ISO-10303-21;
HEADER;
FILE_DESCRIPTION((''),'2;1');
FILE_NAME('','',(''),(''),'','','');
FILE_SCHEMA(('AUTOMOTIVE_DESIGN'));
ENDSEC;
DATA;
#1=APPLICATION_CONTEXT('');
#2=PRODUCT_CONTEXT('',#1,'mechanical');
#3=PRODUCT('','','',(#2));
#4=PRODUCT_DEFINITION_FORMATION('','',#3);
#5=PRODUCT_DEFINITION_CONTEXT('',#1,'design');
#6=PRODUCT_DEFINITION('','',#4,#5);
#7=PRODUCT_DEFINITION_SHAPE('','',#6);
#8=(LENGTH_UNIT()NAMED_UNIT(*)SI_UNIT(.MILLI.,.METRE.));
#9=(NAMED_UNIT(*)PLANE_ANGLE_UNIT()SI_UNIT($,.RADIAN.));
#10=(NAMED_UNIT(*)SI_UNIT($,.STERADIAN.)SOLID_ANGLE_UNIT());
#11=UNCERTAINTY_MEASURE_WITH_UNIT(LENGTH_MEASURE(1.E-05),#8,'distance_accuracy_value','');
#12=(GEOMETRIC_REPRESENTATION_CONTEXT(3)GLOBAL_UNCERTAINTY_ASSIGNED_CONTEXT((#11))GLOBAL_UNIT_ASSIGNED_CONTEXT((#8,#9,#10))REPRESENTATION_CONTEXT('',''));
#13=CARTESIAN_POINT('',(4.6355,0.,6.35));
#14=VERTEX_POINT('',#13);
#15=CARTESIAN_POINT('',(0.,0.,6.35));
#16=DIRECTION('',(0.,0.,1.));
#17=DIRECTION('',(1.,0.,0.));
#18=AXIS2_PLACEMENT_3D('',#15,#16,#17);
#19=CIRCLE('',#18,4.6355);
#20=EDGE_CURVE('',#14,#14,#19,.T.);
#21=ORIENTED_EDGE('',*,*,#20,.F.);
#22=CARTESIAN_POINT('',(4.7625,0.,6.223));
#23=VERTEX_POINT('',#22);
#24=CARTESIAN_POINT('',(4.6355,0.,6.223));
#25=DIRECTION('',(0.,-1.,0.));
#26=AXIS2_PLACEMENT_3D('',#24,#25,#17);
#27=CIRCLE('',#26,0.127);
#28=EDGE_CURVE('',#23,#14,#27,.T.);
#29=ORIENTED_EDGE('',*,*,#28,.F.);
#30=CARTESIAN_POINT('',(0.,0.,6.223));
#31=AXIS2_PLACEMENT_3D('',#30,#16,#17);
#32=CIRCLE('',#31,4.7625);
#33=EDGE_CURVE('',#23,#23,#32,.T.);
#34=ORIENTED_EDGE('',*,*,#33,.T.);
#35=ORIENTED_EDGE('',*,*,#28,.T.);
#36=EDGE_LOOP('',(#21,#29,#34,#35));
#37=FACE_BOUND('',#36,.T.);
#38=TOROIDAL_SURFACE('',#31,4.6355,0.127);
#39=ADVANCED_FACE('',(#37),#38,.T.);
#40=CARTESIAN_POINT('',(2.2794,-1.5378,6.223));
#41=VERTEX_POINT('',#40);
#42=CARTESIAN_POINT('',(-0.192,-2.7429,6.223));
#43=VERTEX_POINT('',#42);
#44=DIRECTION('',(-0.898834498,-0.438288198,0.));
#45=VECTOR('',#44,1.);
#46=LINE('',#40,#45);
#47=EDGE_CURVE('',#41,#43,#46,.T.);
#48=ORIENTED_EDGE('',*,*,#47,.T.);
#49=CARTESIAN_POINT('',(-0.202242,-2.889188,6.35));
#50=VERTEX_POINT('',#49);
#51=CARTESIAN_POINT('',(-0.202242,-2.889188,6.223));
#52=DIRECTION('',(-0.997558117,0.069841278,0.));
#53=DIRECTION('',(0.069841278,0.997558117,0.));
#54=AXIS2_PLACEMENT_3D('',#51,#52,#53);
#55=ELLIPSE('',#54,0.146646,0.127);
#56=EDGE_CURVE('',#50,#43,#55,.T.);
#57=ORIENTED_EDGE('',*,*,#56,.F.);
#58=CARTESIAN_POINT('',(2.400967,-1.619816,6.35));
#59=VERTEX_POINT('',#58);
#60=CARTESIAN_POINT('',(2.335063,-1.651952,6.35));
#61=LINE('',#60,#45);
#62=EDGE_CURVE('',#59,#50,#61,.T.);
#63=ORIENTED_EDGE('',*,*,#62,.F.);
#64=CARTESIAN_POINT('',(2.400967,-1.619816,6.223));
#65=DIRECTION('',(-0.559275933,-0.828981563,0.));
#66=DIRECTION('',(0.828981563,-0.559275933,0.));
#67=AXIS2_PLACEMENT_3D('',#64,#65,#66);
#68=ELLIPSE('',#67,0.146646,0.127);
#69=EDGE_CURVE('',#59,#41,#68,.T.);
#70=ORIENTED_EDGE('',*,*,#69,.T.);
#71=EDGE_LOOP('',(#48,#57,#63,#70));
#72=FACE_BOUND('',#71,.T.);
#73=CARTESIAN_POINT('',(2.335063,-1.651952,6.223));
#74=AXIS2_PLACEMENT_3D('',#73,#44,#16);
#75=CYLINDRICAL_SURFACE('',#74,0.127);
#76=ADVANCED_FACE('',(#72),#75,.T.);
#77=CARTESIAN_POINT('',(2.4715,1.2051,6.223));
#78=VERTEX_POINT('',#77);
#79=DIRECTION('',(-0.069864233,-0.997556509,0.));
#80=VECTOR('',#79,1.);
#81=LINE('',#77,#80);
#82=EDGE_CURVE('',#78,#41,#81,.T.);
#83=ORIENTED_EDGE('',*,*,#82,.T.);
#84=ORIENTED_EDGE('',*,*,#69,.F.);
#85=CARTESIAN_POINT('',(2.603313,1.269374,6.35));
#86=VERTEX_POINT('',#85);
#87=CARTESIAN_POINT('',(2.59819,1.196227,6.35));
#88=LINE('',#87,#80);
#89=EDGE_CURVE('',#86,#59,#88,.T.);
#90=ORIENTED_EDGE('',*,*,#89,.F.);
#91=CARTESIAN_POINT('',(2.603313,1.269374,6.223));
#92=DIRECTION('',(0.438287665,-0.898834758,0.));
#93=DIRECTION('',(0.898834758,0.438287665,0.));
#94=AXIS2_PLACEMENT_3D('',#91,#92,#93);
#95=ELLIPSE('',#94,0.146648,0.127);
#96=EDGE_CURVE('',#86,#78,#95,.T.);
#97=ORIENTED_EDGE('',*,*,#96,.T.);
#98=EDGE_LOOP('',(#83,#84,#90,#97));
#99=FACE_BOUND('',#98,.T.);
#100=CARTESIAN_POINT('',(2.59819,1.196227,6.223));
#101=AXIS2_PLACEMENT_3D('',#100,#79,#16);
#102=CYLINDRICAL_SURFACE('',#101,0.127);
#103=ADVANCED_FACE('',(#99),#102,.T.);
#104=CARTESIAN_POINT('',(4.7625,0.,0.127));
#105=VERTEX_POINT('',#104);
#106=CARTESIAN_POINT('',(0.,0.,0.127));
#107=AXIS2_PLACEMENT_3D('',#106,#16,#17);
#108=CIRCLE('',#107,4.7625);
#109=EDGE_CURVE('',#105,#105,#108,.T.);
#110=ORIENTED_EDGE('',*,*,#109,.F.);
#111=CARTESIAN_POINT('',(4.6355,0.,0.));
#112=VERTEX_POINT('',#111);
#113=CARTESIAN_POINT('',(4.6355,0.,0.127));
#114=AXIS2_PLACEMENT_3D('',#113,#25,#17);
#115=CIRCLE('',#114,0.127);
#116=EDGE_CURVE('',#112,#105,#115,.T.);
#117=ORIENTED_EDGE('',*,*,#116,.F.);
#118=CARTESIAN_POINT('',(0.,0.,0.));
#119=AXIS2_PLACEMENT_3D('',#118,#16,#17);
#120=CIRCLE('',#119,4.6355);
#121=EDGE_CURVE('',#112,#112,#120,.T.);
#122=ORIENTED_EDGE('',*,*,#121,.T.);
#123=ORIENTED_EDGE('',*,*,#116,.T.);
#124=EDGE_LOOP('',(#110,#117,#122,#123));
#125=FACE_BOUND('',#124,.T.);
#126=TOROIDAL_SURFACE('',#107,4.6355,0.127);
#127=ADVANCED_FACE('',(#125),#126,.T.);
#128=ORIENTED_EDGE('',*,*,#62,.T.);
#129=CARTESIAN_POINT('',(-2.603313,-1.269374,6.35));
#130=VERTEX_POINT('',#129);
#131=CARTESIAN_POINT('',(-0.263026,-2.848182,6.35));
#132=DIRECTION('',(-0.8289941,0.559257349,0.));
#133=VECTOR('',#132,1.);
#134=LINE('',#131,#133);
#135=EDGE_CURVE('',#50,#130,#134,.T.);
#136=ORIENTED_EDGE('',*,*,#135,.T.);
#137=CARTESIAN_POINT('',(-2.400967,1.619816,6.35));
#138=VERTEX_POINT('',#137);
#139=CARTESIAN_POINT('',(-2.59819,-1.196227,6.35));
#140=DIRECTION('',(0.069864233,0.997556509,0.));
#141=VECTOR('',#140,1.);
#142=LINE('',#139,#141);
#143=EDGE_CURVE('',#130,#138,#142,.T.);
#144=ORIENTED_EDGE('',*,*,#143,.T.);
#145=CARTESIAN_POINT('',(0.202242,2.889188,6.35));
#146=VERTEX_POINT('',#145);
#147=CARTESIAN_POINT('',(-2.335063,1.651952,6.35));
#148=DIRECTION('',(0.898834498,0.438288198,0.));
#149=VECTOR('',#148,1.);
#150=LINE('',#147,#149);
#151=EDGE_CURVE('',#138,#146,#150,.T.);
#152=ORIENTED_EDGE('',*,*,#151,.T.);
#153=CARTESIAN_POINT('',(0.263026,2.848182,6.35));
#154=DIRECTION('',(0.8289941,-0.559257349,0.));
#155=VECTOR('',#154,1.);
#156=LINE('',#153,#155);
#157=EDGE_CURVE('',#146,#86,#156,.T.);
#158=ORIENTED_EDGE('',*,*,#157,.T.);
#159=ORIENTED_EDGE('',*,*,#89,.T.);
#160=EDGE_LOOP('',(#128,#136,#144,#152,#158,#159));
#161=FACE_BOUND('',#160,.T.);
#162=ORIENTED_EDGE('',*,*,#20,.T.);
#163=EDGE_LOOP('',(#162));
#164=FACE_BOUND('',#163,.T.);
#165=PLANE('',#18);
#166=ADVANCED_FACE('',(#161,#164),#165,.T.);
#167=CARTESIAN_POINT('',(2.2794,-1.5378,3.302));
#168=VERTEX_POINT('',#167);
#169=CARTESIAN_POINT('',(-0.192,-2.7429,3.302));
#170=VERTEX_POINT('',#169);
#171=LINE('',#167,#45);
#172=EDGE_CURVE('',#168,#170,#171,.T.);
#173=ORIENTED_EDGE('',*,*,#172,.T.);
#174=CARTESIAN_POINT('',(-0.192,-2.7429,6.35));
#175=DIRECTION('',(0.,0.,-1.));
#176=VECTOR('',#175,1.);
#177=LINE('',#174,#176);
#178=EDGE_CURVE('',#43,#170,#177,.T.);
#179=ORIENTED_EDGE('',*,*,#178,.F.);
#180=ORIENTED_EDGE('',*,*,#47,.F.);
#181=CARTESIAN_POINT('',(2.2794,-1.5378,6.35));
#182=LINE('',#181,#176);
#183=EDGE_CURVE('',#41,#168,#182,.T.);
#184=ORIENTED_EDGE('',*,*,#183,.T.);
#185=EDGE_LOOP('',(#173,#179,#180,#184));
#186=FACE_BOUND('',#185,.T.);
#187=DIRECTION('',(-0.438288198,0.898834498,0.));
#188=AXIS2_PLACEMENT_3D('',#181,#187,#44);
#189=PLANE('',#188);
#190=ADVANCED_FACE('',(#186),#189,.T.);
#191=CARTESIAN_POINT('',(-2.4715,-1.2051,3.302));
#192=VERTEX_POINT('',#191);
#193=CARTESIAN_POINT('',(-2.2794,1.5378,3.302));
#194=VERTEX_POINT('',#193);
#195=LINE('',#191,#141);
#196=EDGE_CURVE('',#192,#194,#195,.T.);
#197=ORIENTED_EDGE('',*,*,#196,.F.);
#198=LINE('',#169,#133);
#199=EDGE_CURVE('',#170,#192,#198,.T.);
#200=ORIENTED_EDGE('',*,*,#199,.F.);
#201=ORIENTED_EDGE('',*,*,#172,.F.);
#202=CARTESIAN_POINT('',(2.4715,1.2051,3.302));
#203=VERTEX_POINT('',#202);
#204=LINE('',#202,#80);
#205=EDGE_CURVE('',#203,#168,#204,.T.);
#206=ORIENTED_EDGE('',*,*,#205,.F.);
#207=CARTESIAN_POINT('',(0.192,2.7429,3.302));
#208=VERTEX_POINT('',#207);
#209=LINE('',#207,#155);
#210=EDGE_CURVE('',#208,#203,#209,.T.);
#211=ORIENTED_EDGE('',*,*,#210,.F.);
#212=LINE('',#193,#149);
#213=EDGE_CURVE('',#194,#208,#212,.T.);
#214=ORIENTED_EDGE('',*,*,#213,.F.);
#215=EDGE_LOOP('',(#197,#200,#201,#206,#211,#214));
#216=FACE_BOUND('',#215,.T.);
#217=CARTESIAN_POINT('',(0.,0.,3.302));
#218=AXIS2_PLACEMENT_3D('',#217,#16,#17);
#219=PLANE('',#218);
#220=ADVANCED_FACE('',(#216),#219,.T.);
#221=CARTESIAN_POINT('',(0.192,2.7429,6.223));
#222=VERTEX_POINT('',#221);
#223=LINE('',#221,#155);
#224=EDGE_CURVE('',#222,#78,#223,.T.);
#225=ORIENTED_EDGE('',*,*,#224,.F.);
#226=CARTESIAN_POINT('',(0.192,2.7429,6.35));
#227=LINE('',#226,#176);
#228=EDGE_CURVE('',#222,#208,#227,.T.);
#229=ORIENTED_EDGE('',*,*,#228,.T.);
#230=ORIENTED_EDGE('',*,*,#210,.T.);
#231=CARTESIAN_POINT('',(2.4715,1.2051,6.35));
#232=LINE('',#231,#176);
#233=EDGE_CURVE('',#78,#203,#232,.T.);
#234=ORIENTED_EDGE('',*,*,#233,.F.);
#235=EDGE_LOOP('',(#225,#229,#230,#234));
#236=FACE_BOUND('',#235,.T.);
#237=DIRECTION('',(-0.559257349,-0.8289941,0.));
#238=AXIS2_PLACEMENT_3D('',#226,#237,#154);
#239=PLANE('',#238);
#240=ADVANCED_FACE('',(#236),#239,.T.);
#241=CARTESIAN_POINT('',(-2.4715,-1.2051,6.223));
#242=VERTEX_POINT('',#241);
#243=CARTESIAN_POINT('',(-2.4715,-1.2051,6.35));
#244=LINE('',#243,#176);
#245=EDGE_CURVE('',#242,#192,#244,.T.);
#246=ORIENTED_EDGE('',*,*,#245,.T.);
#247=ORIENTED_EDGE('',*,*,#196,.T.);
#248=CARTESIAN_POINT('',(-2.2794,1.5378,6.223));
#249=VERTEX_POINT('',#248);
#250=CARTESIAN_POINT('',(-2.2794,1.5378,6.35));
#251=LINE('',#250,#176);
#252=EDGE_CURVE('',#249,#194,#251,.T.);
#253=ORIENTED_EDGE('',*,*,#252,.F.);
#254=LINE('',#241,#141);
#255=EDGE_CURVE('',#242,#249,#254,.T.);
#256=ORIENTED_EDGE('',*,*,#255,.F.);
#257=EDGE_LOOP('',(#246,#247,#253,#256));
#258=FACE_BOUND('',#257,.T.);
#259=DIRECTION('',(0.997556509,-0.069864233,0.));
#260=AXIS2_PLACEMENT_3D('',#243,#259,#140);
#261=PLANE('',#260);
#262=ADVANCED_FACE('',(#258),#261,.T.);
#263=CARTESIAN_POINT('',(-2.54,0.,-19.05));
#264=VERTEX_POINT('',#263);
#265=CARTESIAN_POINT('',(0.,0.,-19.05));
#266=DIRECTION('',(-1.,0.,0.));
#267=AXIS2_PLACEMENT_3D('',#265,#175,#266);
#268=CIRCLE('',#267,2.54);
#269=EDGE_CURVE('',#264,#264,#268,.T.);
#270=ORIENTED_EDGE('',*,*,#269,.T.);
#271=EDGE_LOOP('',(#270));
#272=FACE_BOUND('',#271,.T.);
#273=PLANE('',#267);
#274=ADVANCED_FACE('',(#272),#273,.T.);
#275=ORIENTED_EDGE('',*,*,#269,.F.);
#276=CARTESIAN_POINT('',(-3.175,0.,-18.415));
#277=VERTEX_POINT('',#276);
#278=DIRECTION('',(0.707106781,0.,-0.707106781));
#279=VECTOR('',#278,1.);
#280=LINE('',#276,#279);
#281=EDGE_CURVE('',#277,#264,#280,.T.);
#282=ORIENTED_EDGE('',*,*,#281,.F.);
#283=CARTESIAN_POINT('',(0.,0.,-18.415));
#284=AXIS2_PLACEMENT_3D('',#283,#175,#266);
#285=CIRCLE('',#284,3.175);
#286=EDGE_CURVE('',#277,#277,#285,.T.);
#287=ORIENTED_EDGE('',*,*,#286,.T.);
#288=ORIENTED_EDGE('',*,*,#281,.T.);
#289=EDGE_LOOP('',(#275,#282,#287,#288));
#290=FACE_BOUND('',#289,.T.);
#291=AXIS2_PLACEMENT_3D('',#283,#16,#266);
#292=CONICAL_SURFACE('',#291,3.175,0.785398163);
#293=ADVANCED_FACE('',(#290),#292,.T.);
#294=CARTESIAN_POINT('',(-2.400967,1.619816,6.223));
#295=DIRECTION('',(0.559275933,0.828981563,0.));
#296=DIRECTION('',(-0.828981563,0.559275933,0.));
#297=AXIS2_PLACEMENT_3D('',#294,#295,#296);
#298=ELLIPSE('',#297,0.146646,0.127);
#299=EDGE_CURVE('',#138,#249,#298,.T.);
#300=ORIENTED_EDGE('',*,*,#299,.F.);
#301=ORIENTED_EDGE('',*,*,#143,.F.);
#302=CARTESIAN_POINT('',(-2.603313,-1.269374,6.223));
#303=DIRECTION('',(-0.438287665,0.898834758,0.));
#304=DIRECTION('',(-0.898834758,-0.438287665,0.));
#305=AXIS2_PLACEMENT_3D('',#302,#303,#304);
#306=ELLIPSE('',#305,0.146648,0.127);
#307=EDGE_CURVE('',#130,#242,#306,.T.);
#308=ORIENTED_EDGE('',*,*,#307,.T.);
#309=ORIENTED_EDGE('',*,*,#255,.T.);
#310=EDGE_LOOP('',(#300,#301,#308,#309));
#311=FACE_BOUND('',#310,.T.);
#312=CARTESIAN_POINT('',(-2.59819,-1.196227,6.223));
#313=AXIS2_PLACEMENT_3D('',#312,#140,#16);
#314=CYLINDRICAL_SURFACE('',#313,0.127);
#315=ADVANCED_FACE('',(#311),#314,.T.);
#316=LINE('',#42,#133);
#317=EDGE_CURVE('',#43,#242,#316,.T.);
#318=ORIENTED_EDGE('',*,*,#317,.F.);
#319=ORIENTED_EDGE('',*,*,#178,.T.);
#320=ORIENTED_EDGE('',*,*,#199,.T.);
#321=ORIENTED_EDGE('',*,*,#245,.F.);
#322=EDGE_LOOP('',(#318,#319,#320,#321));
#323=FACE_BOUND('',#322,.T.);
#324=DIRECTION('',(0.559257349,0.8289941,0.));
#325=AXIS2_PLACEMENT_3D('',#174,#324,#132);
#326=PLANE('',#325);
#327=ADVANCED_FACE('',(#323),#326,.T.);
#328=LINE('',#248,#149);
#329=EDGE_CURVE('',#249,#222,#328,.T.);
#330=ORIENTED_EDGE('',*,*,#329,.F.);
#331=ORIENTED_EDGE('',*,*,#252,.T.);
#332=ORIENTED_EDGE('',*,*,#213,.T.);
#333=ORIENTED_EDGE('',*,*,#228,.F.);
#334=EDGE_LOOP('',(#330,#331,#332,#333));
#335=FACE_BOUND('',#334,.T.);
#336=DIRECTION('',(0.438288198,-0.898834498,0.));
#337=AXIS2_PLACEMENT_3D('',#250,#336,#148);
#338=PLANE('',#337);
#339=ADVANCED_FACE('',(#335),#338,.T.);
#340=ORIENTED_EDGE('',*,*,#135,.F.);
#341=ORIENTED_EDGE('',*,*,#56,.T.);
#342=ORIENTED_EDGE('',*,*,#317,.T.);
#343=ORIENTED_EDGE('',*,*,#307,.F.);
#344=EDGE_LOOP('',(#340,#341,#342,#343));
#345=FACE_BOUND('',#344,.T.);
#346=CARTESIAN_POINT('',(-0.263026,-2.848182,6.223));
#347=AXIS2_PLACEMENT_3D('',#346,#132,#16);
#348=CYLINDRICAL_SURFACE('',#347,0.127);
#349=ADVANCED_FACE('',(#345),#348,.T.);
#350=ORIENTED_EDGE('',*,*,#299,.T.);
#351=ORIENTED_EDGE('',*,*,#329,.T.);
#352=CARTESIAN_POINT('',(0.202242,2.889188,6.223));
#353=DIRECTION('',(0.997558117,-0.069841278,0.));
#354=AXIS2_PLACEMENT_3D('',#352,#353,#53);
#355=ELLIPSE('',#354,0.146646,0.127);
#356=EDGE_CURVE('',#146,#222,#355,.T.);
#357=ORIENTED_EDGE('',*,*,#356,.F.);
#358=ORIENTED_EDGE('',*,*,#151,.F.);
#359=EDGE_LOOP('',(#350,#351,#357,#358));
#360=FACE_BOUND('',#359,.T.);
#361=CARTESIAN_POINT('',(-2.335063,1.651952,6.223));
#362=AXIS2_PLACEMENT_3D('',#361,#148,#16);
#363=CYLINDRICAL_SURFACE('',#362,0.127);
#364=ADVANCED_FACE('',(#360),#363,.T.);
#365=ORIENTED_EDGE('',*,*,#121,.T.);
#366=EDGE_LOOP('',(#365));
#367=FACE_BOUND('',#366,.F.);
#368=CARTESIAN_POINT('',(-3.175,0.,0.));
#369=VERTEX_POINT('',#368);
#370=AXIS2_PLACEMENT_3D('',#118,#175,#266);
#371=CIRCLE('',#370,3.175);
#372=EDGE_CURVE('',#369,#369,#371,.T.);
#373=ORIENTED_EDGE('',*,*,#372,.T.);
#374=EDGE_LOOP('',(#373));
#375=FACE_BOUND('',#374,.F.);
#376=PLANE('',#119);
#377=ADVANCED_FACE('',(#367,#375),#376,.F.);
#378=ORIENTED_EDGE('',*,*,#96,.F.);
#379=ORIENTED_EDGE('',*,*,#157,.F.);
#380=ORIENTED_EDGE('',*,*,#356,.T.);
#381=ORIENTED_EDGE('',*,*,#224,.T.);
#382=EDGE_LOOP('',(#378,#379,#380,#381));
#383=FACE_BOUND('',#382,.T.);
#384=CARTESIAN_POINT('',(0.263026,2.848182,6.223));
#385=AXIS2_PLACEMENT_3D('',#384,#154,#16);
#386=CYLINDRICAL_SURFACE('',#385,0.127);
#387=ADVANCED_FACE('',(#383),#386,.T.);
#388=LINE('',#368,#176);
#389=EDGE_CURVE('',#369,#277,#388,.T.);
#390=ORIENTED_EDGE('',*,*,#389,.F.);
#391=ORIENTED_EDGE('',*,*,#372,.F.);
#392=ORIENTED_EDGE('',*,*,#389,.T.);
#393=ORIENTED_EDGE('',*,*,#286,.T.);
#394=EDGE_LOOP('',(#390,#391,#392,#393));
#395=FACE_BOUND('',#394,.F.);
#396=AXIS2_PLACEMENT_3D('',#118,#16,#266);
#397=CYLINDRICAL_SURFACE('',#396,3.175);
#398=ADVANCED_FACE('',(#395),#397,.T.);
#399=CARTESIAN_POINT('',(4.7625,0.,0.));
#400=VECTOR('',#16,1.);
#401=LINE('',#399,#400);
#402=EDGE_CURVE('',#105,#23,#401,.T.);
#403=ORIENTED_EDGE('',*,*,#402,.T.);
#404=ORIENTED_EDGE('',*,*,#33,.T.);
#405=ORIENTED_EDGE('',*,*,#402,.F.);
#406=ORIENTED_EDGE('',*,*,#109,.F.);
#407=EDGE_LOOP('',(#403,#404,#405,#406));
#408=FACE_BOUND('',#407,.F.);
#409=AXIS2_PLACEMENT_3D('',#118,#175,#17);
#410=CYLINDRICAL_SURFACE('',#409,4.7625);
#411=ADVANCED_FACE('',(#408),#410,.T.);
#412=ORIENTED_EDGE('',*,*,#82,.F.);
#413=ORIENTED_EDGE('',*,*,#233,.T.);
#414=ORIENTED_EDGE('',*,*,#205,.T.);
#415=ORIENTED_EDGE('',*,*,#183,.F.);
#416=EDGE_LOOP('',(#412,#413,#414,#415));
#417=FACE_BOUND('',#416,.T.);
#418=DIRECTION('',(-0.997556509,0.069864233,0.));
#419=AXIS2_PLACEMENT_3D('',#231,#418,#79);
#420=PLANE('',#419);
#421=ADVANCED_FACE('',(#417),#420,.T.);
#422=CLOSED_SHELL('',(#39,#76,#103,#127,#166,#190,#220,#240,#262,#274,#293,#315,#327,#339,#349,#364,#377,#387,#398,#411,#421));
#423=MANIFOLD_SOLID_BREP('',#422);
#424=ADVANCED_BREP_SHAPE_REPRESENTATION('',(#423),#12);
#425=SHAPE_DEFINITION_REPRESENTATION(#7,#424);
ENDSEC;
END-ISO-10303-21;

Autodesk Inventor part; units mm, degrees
ref_plane "YZ Plane" through (0, 0, 0) normal (1, 0, 0) x (0, 1, 0)
ref_plane "XZ Plane" through (0, 0, 0) normal (0, 1, 0) x (-1, 0, 0)
ref_plane "XY Plane" through (0, 0, 0) normal (0, 0, 1) x (1, 0, 0)
sketch "Sketch1" plane through (0, 0, 0) normal (0, 0, 1) x (1, 0, 0)
  circle A0 centre (0, 0) radius 4.7625
  dimension "max_head_dia" = 9.525
extrude "Extrusion1" add sketch "Sketch1" along normal blind 6.35
sketch "Sketch2" plane through (0, 0, 0) normal (0, 0, -1) x (-1, 0, 0)
  circle A0 centre (0, 0) radius 4.7625 projected
  circle A1 centre (0, 0) radius 3.175
  dimension "max_body_dia" = 6.35
extrude "Extrusion2" add sketch "Sketch2" along normal blind 19.05 contours A1
sketch "Sketch3" plane through (0, 0, 6.35) normal (0, 0, 1) x (1, 0, 0)
  circle A0 centre (0, 0) radius 4.7625 projected
  line L0 (-2.2794, 1.5378) -> (0.192, 2.7429)
  line L1 (0.192, 2.7429) -> (2.4715, 1.2051)
  line L2 (2.4715, 1.2051) -> (2.2794, -1.5378)
  line L3 (2.2794, -1.5378) -> (-0.192, -2.7429)
  line L4 (-0.192, -2.7429) -> (-2.4715, -1.2051)
  line L5 (-2.4715, -1.2051) -> (-2.2794, 1.5378)
  dimension "hex_socket_size" = 4.7625
extrude "Extrusion3" cut sketch "Sketch3" against normal blind 3.048 contours L0 L1 L2 L3 L4 L5
thread "Thread2" size "1/4-20 UNC" class "2A" standard "ANSI Unified Screw Threads" length 25.4
chamfer "Chamfer1" distance 0.635 angle 45 1 edges at (3.175, 0, -19.05)
fillet "Fillet1" radius 0.127 1 edges at (-4.7625, 0, 0)
fillet "Fillet2" radius 0.127 1 edges at (-4.7625, 0, 6.35)
fillet "Fillet3" radius 0.127 6 edges at (-1.3318, -1.974, 6.35) (-2.3754, 0.1663, 6.35) (-1.0437, 2.1403, 6.35) (1.3318, 1.974, 6.35) (2.3754, -0.1663, 6.35) (1.0437, -2.1403, 6.35)
properties part number "4_40_hex_cap_screw"
